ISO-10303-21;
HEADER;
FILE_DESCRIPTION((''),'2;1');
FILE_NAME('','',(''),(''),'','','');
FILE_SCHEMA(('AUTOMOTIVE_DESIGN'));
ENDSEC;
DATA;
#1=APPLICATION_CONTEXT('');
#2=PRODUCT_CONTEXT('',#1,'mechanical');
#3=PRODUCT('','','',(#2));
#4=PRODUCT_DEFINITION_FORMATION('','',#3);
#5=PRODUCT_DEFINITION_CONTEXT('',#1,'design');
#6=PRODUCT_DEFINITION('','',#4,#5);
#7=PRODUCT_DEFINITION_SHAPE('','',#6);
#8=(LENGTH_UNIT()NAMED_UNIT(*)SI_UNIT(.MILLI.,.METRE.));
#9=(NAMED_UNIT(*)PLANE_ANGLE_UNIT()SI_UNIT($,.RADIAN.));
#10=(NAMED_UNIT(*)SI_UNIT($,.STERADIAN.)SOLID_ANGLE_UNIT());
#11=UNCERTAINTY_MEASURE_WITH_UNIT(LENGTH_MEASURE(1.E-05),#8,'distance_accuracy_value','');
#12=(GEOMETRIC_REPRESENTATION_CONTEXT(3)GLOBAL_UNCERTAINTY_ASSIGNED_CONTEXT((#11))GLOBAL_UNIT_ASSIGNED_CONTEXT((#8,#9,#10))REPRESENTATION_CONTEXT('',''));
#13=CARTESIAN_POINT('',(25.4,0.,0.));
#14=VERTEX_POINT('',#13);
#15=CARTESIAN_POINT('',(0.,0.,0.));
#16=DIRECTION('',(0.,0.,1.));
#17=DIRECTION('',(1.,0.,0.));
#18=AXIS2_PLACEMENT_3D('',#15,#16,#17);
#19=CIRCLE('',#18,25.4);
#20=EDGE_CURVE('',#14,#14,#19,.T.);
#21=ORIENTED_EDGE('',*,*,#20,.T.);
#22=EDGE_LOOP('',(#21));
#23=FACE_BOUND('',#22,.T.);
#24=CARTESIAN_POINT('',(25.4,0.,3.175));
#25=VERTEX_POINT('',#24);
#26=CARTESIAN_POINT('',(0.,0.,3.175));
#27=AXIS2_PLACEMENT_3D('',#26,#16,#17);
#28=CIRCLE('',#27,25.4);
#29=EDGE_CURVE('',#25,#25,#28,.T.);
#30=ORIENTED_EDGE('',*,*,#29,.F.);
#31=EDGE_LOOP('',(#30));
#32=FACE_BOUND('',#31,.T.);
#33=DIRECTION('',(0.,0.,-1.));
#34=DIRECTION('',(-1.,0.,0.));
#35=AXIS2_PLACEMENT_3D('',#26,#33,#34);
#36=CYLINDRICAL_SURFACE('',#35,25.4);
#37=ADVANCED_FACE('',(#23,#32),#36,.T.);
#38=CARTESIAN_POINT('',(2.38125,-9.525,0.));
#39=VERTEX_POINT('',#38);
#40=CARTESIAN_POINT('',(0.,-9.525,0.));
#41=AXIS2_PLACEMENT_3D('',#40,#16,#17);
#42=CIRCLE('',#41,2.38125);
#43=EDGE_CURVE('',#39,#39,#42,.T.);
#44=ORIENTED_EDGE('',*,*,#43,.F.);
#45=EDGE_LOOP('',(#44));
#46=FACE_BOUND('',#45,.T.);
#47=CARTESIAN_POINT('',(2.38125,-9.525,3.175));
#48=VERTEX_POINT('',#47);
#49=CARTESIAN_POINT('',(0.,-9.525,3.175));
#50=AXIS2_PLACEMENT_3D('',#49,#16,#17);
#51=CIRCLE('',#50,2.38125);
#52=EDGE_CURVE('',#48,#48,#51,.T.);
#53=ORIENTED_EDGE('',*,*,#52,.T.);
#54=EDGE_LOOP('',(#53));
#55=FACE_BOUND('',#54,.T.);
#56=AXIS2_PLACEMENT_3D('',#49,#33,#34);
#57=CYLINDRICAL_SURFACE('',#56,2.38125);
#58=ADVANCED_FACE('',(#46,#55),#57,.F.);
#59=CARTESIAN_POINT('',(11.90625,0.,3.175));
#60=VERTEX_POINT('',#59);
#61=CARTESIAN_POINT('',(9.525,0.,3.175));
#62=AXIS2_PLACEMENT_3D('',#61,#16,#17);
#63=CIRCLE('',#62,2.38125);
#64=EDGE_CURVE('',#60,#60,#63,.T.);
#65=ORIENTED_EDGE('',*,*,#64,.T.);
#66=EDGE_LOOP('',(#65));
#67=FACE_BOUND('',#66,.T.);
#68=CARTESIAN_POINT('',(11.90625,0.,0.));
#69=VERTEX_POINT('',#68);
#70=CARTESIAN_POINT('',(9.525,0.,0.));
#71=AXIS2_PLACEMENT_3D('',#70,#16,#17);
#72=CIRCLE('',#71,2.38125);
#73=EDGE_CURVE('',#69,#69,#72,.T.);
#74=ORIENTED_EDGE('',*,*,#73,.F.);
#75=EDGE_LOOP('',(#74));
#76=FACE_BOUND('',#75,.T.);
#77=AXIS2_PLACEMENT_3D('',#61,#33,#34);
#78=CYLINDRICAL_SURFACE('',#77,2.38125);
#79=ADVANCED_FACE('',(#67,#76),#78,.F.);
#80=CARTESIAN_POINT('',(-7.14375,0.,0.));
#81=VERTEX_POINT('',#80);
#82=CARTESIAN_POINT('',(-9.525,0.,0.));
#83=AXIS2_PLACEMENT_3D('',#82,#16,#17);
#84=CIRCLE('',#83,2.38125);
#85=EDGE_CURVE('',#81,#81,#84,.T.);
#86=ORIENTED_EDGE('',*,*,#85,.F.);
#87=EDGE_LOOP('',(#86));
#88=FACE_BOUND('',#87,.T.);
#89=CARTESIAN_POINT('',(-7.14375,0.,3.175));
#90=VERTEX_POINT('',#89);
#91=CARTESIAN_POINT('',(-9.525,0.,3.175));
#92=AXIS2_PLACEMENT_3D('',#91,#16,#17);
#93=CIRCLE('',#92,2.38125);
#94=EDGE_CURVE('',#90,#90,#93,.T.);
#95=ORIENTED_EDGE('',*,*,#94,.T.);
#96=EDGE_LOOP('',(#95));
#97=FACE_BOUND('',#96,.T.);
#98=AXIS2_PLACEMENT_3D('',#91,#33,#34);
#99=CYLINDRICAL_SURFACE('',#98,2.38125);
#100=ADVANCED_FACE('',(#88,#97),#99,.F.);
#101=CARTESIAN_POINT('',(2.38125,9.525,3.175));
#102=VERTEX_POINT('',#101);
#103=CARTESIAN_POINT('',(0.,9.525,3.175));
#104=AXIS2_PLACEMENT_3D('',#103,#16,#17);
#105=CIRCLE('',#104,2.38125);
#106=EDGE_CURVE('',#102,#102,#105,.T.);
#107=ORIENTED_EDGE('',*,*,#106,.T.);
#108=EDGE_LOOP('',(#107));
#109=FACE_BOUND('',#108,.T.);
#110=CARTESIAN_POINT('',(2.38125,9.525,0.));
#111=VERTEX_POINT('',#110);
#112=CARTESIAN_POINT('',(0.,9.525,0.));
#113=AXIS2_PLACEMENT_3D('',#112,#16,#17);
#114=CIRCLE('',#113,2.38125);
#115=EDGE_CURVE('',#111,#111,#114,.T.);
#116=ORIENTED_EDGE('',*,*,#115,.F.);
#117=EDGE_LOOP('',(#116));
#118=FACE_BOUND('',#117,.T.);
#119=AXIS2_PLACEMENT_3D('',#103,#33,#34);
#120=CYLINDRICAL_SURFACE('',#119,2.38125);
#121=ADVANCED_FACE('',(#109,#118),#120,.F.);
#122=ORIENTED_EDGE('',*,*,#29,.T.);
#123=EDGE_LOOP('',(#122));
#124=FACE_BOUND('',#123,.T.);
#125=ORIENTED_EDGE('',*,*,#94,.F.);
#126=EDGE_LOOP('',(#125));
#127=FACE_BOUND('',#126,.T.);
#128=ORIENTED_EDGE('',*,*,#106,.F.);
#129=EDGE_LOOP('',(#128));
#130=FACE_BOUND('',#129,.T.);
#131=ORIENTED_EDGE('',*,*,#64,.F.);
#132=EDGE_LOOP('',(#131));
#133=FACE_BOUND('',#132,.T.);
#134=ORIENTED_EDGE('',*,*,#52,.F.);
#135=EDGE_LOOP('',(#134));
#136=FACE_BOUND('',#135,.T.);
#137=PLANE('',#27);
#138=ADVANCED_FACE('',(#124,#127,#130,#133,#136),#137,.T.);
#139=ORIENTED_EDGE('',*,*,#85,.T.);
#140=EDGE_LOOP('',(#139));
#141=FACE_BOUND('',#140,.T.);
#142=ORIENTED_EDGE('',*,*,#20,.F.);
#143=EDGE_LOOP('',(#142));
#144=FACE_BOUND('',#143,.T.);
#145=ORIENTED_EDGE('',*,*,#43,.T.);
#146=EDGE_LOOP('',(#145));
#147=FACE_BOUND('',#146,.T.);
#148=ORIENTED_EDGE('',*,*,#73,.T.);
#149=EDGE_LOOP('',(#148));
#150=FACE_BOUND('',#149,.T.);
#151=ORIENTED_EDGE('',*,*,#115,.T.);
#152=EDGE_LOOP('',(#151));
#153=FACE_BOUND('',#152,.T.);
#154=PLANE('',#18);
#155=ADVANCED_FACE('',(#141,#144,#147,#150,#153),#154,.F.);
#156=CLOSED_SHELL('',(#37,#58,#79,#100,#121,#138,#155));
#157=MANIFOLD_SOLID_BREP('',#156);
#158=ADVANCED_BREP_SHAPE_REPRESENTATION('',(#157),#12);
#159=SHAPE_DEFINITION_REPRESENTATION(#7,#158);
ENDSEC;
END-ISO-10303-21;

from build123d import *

# Parameters (mm, degrees)
SKETCH1_R           = 25.4
SKETCH1_R_2         = 2.38125
BOSS_EXTRUDE1_DEPTH = 3.175


with BuildPart() as part:
    # Sketch1 → Boss-Extrude1 (new body)
    with BuildSketch(Plane.XY):
        Circle(SKETCH1_R)
        with Locations((0, 9.525)):
            Circle(SKETCH1_R_2, mode=Mode.SUBTRACT)
        with Locations((9.525, 0)):
            Circle(SKETCH1_R_2, mode=Mode.SUBTRACT)
        with Locations((0, -9.525)):
            Circle(SKETCH1_R_2, mode=Mode.SUBTRACT)
        with Locations((-9.525, 0)):
            Circle(SKETCH1_R_2, mode=Mode.SUBTRACT)
    extrude(amount=BOSS_EXTRUDE1_DEPTH)


solid = part.part
